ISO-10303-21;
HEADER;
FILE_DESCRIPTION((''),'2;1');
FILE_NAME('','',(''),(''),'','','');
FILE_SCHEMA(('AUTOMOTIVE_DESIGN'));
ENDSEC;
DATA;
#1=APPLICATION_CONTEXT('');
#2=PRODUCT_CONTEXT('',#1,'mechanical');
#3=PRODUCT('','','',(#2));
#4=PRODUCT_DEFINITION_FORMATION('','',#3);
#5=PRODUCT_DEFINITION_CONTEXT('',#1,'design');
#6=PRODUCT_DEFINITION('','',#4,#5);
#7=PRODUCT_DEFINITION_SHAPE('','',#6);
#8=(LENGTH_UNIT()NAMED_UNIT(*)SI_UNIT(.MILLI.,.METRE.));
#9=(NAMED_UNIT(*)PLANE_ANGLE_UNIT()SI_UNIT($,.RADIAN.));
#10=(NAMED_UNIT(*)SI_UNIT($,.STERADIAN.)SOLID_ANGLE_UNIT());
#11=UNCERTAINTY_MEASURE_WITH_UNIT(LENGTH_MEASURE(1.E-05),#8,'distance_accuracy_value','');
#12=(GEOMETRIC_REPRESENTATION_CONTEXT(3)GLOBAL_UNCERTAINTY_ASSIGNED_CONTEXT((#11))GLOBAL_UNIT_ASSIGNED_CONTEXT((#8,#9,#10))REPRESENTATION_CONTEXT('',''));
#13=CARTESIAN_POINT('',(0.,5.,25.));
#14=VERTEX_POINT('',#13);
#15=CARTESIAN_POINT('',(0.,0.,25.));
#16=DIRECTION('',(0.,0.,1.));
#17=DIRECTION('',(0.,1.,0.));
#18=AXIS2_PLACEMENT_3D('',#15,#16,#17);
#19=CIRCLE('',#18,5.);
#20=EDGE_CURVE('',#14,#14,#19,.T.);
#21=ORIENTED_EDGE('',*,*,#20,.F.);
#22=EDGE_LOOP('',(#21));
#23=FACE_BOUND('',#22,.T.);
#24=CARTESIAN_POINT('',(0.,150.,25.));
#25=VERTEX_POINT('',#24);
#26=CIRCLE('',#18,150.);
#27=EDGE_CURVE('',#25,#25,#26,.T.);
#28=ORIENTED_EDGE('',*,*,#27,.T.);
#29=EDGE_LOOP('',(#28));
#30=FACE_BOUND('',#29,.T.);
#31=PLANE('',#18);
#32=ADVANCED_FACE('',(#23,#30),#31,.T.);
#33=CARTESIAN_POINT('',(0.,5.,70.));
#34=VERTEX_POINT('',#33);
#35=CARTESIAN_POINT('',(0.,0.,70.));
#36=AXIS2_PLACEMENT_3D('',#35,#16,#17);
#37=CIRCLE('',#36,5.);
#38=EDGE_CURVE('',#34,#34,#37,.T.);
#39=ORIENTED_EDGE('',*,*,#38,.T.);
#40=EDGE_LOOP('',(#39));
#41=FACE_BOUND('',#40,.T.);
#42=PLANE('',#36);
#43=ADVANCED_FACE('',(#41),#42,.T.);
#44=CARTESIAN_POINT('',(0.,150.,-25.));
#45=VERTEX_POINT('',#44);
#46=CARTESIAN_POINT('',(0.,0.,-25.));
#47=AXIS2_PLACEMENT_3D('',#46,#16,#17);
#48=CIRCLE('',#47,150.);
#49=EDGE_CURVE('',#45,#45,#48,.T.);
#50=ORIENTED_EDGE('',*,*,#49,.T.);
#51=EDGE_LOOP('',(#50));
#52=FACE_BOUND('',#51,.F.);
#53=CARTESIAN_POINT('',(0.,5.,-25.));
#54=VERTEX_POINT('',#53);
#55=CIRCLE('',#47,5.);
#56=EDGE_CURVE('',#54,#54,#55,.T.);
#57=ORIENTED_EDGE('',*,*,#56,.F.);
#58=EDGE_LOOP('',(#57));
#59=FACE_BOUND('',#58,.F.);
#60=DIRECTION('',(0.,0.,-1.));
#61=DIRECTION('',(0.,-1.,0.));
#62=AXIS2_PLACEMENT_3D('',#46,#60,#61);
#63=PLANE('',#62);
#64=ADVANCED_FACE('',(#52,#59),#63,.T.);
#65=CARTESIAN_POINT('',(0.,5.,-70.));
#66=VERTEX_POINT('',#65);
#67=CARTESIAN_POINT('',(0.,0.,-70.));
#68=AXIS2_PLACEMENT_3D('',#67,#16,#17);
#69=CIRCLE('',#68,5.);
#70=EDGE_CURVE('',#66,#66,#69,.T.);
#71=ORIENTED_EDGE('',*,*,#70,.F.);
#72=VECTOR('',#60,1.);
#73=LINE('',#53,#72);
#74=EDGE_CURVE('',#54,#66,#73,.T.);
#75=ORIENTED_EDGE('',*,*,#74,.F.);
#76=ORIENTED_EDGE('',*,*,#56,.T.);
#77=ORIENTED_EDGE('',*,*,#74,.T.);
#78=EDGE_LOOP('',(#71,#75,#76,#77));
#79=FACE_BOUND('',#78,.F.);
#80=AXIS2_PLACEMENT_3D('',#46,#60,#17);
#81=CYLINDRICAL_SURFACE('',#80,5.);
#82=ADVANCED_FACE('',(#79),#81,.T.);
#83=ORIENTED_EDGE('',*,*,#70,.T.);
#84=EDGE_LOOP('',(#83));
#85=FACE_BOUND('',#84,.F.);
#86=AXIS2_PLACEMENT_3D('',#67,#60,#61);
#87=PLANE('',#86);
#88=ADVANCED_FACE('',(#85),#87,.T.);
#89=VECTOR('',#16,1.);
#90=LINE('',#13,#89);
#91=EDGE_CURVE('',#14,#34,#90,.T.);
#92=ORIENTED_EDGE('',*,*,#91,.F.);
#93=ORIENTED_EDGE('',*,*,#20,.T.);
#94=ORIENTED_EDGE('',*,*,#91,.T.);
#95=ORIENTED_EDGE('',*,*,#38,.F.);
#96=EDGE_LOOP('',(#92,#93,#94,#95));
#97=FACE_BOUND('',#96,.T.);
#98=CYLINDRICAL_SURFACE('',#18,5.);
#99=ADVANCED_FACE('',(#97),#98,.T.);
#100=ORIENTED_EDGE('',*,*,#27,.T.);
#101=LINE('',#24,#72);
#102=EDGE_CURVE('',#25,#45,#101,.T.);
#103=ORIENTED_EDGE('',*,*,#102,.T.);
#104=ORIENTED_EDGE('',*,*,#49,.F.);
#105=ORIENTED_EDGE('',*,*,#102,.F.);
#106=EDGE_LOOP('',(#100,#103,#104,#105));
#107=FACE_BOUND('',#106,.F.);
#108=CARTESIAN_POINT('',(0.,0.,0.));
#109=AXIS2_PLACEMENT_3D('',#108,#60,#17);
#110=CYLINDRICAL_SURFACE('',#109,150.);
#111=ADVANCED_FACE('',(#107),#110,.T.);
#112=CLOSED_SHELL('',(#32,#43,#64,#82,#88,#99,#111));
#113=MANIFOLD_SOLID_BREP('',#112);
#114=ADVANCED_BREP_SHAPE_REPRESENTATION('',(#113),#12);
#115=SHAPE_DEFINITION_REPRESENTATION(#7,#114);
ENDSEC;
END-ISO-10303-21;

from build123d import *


with BuildPart() as part:
    # Sketch → Revolution (revolve)
    with BuildSketch(Plane.YZ):
        Polygon((150, 0), (150, 25), (5, 25), (5, 70), (0, 70), (0, 0), align=None)
    revolution = revolve(axis=Axis((0, 0, 0), (0, 0, 1)))

    # Mirrored: Revolution across Sketch H_Axis
    add(revolution.mirror(Plane.XY))


solid = part.part
